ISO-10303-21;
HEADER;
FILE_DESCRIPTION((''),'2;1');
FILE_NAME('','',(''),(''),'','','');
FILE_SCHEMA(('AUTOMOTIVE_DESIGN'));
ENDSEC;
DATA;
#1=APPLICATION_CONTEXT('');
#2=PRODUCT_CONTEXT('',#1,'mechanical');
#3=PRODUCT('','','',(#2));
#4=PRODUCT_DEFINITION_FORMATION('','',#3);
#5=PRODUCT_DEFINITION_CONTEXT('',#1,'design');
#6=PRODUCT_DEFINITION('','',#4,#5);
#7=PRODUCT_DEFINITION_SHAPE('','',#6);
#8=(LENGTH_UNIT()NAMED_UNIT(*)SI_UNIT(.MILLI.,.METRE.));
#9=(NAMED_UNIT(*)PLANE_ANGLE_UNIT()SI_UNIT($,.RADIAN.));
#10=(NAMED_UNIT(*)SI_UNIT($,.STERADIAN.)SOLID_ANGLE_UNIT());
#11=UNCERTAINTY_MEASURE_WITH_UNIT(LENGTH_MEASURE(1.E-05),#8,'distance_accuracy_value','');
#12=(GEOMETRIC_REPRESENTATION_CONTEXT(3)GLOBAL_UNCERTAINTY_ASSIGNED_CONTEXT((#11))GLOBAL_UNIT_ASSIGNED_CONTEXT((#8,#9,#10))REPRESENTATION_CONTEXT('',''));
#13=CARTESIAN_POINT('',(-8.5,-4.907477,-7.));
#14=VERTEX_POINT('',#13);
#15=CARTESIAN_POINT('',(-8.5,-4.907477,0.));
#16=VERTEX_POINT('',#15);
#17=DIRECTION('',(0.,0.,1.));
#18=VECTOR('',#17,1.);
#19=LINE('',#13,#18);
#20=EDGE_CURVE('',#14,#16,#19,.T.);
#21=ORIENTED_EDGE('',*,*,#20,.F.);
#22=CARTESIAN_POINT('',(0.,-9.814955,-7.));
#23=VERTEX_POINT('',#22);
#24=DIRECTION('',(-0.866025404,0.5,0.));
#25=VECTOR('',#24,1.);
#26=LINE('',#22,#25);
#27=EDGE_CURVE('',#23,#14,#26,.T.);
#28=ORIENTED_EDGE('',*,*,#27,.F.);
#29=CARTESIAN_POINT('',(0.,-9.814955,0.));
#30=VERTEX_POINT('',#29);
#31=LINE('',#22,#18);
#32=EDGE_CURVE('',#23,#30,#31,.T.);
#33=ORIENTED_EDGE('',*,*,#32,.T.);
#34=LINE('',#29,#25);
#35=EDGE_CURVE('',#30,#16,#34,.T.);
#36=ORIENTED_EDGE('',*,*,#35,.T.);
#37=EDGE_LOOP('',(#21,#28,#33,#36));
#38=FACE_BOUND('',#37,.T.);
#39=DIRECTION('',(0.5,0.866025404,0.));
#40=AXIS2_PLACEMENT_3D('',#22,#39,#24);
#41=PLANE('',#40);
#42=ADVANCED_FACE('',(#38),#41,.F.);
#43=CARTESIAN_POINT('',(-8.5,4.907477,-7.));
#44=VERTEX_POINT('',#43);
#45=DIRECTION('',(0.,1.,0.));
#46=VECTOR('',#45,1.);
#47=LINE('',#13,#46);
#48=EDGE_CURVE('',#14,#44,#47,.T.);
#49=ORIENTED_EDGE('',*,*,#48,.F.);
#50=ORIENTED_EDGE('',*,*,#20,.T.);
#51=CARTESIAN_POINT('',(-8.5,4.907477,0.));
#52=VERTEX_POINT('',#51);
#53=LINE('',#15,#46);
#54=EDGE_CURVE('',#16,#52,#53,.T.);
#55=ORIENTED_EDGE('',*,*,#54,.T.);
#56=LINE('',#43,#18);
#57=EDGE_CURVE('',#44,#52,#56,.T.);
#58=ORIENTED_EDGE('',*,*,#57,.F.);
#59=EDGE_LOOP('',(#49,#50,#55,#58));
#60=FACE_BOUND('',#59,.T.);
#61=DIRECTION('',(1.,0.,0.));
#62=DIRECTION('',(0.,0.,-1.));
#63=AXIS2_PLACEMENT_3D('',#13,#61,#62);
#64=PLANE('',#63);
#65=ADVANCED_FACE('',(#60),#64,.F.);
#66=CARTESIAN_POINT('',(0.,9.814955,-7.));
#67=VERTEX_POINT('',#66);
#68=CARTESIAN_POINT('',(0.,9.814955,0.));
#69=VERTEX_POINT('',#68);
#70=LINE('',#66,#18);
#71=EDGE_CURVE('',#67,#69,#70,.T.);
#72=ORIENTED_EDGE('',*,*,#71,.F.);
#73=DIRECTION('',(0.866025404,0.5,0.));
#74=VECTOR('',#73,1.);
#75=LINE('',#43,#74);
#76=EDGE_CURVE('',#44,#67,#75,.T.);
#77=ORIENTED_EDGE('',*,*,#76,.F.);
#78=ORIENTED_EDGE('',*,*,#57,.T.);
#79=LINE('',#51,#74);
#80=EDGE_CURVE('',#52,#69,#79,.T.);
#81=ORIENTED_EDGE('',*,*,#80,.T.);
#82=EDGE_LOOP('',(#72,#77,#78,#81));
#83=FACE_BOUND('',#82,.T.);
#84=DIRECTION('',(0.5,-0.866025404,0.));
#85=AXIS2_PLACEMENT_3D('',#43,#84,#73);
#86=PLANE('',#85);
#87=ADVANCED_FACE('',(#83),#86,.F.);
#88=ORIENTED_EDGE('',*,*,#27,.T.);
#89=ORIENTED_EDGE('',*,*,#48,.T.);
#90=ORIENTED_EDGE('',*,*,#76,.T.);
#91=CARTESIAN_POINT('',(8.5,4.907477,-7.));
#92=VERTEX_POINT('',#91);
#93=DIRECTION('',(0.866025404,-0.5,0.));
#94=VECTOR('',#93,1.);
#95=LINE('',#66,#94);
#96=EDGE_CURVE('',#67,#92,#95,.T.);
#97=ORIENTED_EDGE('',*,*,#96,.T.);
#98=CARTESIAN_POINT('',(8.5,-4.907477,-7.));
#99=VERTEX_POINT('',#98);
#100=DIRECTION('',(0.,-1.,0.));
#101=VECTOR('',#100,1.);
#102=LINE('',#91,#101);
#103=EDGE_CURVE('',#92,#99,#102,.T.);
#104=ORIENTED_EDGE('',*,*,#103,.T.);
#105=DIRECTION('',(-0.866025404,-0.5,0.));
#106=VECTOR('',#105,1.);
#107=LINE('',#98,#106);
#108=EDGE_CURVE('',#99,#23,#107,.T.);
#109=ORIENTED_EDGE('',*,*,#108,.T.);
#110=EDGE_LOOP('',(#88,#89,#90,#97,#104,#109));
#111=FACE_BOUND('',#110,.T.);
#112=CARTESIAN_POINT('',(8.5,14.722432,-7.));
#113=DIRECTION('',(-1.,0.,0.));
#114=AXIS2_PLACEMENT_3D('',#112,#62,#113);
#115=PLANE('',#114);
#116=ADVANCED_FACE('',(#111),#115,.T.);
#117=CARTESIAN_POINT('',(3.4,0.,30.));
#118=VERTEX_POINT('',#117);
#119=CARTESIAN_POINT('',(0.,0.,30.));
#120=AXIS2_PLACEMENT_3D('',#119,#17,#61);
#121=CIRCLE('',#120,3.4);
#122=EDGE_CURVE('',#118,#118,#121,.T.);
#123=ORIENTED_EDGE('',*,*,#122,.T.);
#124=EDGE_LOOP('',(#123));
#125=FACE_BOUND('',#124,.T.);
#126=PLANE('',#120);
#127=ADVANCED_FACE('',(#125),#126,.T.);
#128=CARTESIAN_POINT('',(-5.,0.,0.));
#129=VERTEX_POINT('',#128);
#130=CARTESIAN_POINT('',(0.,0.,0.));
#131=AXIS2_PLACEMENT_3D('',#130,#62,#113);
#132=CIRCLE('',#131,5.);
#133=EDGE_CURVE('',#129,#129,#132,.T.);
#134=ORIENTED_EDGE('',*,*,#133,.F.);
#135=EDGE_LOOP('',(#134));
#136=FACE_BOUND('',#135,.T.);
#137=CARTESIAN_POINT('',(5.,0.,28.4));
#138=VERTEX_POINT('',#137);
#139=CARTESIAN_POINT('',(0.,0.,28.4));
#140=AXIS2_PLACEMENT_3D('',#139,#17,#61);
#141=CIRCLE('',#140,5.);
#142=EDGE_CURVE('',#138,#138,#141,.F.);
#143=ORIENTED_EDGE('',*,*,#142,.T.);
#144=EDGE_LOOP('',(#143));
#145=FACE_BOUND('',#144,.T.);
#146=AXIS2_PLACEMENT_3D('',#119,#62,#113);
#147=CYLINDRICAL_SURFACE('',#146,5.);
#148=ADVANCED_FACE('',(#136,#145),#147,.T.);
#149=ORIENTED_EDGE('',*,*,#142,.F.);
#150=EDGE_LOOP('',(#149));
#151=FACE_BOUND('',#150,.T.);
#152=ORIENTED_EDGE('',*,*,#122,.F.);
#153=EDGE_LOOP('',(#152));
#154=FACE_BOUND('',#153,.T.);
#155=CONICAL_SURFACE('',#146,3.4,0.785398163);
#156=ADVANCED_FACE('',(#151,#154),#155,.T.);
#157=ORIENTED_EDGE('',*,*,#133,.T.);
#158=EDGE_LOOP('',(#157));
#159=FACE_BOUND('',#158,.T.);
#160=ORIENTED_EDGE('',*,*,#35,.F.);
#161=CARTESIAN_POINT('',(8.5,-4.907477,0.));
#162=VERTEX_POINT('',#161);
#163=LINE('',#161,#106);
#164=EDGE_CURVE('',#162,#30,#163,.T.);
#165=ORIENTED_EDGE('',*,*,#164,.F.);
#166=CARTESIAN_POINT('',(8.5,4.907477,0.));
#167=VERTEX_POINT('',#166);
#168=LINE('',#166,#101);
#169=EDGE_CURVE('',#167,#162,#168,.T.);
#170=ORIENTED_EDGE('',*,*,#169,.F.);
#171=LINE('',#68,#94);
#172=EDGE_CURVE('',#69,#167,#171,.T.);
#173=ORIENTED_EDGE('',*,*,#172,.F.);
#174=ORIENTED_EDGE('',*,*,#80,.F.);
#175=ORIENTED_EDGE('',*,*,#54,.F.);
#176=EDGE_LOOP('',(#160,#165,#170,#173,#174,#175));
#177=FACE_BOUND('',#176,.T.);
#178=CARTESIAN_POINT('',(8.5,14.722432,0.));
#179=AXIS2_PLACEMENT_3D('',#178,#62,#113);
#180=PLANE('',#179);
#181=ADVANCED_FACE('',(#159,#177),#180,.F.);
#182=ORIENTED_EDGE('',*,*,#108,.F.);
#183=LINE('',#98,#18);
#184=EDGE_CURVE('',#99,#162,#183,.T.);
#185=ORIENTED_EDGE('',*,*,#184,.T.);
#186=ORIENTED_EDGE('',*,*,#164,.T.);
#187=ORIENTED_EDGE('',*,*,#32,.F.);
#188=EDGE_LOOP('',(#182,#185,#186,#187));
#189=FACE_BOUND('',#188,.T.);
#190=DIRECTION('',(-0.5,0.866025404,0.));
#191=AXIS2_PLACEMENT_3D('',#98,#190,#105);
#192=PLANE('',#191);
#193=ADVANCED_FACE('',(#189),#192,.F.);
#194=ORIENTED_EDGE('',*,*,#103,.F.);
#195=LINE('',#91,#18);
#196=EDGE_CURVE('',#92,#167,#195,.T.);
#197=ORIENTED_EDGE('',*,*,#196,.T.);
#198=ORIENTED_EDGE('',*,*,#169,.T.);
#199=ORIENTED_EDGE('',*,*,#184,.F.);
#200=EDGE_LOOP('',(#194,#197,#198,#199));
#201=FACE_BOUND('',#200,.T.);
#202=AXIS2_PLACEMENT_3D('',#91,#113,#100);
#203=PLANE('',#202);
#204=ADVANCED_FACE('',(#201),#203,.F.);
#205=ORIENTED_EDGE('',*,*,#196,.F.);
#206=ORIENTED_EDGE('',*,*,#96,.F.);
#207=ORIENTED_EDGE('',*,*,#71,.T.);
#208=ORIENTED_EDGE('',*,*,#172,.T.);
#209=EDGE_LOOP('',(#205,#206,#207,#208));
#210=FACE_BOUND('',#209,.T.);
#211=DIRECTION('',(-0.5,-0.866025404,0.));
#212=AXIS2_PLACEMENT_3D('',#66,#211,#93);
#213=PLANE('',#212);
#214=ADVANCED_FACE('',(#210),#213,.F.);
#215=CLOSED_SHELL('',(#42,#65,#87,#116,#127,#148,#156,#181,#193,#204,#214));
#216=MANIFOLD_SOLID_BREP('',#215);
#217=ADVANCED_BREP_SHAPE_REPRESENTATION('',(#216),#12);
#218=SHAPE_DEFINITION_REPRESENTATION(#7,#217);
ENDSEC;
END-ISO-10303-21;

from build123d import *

# Parameters (mm, degrees)
SKETCH1_R           = 5
BASE_EXTRUDE_DEPTH  = 30
BOSS_EXTRUDE2_DEPTH = 7
CHAMFER1_SIZE       = 1.6


with BuildPart() as part:
    # Sketch1 → Base-Extrude (new body)
    with BuildSketch(Plane.XY):
        Circle(SKETCH1_R)
    extrude(amount=BASE_EXTRUDE_DEPTH)

    # Sketch2 → Boss-Extrude2 (add)
    with BuildSketch(Plane(origin=(0, 0, 0), x_dir=(-1, 0, 0), z_dir=(0, 0, -1))):
        Polygon((0, 9.814954576), (-8.5, 4.907477288), (-8.5, -4.907477288), (0, -9.814954576), (8.5, -4.907477288), (8.5, 4.907477288), align=None)
    extrude(amount=BOSS_EXTRUDE2_DEPTH)

    # Chamfer1
    chamfer1_edges = [part.edges().sort_by_distance(p)[0] for p in [
        (-5, 0, 30),
    ]]
    chamfer(chamfer1_edges, length=CHAMFER1_SIZE)


solid = part.part
